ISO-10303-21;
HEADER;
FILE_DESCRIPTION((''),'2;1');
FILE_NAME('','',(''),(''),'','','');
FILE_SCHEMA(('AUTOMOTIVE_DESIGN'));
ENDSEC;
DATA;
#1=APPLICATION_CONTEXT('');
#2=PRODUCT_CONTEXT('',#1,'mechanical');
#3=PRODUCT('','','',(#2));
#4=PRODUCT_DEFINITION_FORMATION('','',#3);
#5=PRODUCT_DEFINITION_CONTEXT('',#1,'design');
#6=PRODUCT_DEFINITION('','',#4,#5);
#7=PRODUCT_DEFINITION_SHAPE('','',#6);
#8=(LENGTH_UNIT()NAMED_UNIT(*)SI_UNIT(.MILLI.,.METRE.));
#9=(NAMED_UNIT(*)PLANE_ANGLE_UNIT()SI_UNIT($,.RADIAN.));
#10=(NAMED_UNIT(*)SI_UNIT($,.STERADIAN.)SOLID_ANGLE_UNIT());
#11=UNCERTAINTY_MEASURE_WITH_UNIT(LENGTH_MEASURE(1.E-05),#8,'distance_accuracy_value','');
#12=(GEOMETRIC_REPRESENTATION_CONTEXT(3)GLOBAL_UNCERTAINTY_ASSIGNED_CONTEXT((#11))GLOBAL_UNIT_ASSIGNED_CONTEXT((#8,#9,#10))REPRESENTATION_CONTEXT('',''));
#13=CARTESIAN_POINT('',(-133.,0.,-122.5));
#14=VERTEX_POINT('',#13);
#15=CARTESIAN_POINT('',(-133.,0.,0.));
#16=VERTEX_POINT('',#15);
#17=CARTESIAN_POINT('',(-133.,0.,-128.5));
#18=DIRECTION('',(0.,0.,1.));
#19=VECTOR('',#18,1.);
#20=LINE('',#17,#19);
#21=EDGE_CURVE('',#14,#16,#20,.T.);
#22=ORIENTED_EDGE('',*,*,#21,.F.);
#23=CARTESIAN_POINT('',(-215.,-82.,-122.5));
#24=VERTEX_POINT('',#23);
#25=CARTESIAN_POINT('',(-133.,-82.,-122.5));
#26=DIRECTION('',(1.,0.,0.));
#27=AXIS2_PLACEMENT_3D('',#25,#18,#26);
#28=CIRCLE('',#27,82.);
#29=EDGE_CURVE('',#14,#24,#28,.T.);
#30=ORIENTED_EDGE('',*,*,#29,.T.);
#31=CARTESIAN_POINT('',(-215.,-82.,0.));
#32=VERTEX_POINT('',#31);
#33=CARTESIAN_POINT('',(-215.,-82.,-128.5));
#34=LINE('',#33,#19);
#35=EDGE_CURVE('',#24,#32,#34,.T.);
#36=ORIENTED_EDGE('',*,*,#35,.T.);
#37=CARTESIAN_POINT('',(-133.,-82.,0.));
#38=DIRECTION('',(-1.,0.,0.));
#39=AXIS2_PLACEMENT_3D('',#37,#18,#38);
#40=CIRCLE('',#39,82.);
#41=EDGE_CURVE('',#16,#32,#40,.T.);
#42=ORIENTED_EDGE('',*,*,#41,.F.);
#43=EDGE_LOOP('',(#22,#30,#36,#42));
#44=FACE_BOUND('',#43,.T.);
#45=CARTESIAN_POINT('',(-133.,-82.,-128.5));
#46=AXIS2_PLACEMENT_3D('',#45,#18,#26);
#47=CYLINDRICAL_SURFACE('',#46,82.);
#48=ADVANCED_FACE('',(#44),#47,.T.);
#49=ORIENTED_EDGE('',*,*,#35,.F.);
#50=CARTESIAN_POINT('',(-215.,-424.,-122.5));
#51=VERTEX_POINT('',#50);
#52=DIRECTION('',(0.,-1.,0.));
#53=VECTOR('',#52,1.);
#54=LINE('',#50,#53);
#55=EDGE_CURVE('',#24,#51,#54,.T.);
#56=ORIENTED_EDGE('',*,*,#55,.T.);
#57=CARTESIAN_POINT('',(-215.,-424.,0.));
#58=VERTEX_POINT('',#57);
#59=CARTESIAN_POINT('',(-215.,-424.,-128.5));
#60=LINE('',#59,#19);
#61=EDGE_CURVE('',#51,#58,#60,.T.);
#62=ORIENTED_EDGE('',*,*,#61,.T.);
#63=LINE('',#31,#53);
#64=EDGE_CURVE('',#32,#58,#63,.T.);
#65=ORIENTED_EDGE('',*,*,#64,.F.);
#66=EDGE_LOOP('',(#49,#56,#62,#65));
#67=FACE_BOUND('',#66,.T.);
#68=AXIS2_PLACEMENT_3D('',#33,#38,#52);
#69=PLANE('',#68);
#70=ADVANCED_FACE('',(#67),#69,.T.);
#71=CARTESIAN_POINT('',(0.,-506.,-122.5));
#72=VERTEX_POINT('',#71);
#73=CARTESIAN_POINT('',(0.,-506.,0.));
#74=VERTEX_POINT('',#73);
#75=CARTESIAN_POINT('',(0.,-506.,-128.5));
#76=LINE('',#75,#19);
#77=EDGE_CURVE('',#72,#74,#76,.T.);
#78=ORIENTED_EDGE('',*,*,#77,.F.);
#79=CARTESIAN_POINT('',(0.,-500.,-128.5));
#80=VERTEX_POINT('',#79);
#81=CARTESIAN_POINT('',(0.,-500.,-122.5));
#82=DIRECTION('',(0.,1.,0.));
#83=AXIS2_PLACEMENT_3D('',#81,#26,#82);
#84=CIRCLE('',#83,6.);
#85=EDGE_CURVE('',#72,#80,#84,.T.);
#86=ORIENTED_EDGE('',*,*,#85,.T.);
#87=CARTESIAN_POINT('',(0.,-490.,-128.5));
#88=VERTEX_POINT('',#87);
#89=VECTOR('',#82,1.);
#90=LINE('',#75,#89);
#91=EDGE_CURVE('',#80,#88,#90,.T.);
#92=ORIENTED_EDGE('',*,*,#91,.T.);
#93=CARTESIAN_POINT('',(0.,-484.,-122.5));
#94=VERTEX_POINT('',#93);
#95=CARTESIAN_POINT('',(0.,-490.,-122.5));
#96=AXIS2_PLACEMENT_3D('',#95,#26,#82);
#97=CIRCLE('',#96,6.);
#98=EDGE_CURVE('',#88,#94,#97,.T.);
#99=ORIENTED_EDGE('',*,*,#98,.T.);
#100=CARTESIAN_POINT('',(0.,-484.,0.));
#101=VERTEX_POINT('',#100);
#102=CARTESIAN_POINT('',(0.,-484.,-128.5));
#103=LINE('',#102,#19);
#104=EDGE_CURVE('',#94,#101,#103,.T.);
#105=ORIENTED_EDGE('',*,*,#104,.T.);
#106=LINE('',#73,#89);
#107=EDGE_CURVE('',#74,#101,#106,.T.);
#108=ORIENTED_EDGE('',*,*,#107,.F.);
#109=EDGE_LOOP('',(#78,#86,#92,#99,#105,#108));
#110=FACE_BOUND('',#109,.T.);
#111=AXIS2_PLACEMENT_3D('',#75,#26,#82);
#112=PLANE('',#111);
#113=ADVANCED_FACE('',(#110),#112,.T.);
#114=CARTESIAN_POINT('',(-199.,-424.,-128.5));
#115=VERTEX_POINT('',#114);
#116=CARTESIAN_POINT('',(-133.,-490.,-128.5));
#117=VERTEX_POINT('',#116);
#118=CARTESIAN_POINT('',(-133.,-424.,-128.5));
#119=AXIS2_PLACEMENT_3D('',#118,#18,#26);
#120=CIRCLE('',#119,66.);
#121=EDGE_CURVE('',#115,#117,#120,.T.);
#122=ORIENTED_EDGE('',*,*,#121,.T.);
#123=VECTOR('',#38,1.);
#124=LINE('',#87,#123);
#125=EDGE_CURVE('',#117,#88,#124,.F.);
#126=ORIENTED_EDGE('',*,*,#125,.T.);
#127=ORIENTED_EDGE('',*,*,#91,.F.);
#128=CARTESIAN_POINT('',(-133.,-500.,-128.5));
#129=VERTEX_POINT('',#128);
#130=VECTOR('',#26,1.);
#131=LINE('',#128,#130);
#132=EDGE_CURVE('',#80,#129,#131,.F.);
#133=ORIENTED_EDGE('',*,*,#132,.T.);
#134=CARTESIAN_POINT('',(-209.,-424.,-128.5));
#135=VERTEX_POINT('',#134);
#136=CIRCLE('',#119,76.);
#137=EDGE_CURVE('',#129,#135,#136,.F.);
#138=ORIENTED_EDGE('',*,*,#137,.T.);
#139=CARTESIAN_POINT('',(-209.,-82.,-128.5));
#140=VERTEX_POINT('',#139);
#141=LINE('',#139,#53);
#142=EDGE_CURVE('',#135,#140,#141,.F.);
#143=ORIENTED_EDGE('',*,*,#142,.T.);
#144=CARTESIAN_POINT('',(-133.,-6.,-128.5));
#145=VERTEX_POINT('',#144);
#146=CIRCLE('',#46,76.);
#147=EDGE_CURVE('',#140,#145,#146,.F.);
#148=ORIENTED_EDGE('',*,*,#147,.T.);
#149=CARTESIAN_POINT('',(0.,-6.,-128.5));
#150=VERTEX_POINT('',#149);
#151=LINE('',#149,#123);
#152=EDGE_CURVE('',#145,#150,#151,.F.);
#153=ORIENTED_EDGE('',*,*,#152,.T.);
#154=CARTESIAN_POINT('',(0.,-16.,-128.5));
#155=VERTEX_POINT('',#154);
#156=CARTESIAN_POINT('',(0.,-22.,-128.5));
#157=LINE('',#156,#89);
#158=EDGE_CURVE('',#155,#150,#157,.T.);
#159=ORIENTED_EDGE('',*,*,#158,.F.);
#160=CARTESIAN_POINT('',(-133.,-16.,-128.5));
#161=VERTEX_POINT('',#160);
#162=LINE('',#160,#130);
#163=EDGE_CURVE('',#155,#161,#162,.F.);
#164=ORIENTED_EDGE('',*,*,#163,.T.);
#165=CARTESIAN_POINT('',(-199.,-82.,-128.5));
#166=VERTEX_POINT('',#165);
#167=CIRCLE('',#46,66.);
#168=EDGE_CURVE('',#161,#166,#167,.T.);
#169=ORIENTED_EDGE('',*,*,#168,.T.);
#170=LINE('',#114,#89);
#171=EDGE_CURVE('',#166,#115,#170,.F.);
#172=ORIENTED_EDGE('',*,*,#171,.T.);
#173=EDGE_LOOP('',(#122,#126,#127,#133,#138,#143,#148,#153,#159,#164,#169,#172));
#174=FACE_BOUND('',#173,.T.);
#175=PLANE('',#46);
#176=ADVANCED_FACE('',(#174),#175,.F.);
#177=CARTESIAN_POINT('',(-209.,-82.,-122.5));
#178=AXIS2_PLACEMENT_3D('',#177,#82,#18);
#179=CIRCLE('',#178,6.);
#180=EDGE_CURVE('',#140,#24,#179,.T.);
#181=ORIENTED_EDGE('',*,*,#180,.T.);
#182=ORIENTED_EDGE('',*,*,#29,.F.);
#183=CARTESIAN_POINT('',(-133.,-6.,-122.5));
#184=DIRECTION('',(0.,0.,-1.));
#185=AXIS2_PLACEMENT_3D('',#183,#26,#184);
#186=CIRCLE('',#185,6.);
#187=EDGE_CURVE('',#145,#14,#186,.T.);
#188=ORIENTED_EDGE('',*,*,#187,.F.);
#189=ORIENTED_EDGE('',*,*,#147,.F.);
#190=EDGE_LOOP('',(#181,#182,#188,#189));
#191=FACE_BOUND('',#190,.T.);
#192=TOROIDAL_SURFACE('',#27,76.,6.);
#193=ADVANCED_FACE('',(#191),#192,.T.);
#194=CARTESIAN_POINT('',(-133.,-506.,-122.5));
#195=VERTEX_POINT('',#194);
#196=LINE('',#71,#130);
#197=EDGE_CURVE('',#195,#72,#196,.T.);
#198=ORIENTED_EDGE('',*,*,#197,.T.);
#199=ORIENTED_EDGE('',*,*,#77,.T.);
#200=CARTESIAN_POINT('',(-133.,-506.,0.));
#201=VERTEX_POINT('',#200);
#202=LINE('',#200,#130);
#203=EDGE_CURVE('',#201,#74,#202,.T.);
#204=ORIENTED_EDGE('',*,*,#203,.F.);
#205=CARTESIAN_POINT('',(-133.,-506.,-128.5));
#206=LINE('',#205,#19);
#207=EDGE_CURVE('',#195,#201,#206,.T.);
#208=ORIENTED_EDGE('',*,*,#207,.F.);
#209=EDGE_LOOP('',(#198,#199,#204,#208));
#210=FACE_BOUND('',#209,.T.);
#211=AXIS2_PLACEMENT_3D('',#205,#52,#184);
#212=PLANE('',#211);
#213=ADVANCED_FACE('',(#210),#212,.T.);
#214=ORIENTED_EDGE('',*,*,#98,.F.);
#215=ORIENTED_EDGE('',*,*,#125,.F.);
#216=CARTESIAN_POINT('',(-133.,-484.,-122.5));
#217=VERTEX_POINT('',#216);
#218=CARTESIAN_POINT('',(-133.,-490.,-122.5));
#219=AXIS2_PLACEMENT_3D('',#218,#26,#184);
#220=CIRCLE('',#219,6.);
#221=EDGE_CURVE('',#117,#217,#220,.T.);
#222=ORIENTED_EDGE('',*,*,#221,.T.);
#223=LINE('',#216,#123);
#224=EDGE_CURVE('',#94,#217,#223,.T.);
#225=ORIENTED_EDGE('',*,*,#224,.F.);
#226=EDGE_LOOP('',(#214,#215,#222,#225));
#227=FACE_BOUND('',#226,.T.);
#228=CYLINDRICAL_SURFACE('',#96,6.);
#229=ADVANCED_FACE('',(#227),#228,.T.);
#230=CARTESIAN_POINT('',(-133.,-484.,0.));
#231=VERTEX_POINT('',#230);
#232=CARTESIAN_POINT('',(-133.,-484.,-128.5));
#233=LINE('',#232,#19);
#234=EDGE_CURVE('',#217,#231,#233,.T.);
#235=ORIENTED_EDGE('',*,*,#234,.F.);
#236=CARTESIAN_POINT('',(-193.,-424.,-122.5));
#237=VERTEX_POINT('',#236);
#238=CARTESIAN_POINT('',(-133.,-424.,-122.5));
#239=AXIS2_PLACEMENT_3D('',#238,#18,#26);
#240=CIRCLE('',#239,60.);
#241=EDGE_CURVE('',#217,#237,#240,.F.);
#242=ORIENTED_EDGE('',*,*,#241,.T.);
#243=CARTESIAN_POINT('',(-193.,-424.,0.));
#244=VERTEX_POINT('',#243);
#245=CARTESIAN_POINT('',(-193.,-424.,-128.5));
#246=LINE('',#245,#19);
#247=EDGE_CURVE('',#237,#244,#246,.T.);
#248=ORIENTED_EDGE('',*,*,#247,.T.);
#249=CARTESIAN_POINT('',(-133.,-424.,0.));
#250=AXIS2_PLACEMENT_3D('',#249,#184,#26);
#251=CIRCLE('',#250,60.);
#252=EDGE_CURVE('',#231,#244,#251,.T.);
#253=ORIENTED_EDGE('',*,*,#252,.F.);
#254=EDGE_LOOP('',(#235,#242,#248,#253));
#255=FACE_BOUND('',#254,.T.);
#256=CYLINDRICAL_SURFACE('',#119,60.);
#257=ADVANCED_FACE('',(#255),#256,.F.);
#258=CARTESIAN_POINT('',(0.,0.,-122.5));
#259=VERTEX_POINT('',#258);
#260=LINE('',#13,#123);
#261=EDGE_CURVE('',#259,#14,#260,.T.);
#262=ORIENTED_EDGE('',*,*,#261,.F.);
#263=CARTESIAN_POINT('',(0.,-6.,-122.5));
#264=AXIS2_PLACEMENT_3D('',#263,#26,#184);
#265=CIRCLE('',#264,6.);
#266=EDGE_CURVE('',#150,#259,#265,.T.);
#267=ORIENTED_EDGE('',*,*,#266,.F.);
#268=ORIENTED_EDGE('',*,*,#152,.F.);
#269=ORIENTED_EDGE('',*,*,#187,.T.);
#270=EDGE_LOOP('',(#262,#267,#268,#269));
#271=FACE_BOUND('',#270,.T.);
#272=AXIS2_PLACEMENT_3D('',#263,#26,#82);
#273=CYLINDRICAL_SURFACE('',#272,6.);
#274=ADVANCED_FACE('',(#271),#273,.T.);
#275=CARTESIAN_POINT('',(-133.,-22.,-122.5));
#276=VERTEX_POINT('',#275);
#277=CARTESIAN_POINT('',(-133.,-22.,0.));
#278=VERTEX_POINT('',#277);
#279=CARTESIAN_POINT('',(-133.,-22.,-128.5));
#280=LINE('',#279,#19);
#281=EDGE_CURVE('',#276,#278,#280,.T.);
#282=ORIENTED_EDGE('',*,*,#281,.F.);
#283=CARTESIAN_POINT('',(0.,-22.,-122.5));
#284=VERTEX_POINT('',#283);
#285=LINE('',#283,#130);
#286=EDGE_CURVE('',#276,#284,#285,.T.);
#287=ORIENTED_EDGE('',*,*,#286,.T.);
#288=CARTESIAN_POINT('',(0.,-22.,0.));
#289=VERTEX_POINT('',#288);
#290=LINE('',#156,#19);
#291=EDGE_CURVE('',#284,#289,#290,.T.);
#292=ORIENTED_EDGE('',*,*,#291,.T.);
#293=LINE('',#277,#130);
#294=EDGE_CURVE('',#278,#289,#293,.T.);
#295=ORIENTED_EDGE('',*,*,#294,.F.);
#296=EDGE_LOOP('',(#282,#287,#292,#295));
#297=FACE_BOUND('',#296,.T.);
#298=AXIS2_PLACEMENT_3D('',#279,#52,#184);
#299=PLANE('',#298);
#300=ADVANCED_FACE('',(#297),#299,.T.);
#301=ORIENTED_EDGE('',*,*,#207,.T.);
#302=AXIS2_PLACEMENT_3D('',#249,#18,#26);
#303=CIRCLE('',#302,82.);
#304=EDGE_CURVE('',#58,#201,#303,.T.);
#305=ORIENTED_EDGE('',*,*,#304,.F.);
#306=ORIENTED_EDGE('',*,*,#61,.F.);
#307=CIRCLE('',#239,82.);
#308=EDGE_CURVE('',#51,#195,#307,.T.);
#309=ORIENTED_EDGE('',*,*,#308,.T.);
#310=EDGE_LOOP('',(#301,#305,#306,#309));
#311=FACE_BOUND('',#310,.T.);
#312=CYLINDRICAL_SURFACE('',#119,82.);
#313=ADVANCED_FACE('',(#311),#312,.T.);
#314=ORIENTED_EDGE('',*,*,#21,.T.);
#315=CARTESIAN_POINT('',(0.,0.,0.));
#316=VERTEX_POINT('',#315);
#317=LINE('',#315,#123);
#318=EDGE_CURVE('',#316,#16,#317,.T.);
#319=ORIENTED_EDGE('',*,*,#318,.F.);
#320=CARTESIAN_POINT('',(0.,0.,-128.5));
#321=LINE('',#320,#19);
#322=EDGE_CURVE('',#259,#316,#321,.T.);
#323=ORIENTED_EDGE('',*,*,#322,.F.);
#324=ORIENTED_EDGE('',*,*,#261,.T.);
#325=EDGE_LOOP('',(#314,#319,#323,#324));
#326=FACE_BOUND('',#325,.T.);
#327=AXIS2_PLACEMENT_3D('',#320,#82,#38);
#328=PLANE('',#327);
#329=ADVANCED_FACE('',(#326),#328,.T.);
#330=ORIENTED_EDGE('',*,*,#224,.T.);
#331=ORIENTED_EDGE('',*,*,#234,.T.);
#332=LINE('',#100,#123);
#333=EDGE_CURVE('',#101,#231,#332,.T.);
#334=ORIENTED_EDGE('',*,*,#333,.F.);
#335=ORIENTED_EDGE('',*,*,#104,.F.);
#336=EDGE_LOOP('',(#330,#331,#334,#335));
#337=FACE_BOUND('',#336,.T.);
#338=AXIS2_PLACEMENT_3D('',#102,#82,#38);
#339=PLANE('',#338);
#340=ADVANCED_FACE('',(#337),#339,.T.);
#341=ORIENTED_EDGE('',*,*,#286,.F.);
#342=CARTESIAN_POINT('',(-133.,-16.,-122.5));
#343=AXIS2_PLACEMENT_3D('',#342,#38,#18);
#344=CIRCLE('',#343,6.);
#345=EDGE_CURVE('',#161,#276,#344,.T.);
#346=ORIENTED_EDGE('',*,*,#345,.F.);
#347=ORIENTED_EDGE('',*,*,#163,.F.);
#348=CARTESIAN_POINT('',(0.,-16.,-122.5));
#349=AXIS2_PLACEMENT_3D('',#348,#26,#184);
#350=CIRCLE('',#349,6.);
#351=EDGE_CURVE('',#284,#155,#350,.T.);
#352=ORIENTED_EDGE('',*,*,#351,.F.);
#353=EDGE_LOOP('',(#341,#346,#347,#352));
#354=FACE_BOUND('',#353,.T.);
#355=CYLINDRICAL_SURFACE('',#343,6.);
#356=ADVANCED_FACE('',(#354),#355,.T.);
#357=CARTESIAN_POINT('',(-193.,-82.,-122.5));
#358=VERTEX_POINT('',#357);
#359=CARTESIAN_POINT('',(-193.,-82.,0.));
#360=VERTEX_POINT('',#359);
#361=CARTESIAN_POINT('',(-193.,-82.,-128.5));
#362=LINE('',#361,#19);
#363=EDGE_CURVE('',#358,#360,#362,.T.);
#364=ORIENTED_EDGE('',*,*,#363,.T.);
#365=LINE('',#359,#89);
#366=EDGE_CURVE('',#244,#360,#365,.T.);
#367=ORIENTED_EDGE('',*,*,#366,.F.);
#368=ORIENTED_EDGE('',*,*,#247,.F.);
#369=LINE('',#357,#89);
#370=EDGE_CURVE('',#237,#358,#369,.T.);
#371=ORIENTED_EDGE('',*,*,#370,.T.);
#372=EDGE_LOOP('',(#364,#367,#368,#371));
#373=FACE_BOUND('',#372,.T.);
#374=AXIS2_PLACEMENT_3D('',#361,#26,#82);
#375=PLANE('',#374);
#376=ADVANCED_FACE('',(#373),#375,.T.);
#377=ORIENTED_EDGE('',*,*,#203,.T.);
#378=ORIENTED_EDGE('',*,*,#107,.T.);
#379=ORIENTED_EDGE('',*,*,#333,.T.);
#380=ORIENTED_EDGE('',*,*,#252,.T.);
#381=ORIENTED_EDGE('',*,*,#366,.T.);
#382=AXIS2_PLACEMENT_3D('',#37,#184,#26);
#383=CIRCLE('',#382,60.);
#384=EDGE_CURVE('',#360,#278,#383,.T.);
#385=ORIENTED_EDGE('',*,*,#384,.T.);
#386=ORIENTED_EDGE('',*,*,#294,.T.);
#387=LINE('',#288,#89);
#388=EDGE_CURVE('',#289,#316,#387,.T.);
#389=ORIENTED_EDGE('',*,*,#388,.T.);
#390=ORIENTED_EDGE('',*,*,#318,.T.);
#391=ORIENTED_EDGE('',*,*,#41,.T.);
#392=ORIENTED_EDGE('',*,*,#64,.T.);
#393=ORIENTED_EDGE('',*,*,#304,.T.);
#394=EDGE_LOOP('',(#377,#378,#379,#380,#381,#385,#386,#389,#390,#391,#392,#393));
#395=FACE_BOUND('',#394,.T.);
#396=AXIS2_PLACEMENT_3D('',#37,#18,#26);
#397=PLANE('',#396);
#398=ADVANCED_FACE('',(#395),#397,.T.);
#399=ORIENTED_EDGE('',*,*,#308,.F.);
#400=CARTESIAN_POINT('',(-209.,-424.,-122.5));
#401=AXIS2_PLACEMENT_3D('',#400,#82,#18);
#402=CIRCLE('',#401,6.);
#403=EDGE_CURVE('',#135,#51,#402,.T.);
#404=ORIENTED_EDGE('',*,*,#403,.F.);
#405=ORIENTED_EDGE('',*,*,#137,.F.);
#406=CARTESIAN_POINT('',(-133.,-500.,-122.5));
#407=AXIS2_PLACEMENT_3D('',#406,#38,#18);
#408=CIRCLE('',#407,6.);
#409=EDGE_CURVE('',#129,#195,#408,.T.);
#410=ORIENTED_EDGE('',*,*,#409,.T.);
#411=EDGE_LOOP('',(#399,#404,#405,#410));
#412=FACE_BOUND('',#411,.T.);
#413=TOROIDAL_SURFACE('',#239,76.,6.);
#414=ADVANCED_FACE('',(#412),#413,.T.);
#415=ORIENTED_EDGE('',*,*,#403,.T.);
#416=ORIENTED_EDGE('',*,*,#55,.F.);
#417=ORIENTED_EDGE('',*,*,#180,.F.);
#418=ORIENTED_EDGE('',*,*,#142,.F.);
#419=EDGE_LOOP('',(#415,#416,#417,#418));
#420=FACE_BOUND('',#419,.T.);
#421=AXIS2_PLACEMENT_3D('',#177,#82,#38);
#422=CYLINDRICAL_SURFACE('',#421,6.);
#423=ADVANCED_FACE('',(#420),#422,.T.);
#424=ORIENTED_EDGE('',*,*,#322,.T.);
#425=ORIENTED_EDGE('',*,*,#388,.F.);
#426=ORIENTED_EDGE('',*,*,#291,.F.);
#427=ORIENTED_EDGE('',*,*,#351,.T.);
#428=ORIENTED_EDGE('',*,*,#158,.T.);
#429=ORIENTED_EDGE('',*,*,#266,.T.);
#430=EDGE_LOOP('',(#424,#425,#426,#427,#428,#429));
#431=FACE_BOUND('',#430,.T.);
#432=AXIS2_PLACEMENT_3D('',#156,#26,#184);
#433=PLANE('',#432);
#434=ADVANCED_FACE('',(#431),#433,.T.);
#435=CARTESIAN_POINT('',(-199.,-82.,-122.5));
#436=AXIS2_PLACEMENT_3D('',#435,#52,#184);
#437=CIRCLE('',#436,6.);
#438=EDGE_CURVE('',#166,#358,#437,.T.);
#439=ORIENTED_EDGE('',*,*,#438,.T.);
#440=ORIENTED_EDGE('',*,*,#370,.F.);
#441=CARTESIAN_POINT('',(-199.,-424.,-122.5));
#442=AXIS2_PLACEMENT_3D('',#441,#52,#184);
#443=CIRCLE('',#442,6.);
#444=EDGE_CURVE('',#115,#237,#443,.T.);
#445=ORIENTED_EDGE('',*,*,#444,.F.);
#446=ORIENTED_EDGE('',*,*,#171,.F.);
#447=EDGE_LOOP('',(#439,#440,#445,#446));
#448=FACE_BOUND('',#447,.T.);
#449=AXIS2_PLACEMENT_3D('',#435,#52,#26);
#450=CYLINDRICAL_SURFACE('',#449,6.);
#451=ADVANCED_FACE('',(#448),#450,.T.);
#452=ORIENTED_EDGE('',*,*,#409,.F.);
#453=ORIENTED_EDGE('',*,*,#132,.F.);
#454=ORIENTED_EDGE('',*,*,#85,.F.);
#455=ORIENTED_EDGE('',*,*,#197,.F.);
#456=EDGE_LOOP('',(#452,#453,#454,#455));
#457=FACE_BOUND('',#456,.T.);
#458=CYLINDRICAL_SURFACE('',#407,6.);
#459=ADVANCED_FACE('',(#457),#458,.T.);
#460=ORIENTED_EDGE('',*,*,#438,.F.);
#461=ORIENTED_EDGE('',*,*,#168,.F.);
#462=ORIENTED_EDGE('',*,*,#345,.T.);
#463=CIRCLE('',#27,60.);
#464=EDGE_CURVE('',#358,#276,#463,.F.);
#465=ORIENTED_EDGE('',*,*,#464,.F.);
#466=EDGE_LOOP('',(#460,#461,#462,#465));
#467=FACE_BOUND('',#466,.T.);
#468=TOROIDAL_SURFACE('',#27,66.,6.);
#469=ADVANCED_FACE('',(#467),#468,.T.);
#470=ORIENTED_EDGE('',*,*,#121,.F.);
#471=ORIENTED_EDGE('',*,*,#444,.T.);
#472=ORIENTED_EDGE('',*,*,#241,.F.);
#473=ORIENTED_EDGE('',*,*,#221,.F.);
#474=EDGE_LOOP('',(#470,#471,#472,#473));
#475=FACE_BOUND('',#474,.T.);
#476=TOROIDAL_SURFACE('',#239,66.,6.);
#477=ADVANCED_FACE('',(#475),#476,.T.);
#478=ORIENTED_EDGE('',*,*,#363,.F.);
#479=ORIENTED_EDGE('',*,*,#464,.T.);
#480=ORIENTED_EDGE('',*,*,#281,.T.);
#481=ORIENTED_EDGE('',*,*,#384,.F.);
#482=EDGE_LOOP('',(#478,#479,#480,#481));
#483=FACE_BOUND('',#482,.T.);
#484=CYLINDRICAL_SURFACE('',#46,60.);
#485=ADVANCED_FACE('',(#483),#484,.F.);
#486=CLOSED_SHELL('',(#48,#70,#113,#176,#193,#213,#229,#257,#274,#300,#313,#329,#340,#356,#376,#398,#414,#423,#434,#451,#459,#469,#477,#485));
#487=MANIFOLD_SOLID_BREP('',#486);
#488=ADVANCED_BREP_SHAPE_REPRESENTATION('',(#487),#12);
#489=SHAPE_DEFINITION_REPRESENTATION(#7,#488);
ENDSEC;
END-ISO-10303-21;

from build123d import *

# Parameters (mm, degrees)
BOSS_EXTRU_1_DEPTH = 128.5
CONG_1_R           = 6


with BuildPart() as part:
    # Esquisse1 → Boss.-Extru.1 (new body)
    with BuildSketch(Plane.XY):
        with BuildLine():
            Line((-133, -22), (0, -22))
            Line((0, -22), (0, 0))
            Line((0, 0), (-133, 0))
            ThreePointArc((-133, 0), (-190.982756057, -24.017243943), (-215, -82))
            Line((-215, -82), (-215, -424))
            ThreePointArc((-215, -424), (-190.982756057, -481.982756057), (-133, -506))
            Line((-133, -506), (0, -506))
            Line((0, -506), (0, -484))
            Line((0, -484), (-133, -484))
            ThreePointArc((-133, -484), (-175.426406871, -466.426406871), (-193, -424))
            Line((-193, -424), (-193, -82))
            ThreePointArc((-193, -82), (-175.426406871, -39.573593129), (-133, -22))
        make_face()
    extrude(amount=-BOSS_EXTRU_1_DEPTH)

    # Congé1
    cong_1_edges = [part.edges().sort_by_distance(p)[0] for p in [
        (-66.5, 0, -128.5),
        (-190.982756057, -24.017243943, -128.5),
        (-215, -253, -128.5),
        (-190.982756057, -481.982756057, -128.5),
        (-66.5, -506, -128.5),
        (-66.5, -484, -128.5),
        (-175.426406871, -466.426406871, -128.5),
        (-193, -253, -128.5),
        (-175.426406871, -39.573593129, -128.5),
        (-66.5, -22, -128.5),
    ]]
    fillet(cong_1_edges, radius=CONG_1_R)


solid = part.part
